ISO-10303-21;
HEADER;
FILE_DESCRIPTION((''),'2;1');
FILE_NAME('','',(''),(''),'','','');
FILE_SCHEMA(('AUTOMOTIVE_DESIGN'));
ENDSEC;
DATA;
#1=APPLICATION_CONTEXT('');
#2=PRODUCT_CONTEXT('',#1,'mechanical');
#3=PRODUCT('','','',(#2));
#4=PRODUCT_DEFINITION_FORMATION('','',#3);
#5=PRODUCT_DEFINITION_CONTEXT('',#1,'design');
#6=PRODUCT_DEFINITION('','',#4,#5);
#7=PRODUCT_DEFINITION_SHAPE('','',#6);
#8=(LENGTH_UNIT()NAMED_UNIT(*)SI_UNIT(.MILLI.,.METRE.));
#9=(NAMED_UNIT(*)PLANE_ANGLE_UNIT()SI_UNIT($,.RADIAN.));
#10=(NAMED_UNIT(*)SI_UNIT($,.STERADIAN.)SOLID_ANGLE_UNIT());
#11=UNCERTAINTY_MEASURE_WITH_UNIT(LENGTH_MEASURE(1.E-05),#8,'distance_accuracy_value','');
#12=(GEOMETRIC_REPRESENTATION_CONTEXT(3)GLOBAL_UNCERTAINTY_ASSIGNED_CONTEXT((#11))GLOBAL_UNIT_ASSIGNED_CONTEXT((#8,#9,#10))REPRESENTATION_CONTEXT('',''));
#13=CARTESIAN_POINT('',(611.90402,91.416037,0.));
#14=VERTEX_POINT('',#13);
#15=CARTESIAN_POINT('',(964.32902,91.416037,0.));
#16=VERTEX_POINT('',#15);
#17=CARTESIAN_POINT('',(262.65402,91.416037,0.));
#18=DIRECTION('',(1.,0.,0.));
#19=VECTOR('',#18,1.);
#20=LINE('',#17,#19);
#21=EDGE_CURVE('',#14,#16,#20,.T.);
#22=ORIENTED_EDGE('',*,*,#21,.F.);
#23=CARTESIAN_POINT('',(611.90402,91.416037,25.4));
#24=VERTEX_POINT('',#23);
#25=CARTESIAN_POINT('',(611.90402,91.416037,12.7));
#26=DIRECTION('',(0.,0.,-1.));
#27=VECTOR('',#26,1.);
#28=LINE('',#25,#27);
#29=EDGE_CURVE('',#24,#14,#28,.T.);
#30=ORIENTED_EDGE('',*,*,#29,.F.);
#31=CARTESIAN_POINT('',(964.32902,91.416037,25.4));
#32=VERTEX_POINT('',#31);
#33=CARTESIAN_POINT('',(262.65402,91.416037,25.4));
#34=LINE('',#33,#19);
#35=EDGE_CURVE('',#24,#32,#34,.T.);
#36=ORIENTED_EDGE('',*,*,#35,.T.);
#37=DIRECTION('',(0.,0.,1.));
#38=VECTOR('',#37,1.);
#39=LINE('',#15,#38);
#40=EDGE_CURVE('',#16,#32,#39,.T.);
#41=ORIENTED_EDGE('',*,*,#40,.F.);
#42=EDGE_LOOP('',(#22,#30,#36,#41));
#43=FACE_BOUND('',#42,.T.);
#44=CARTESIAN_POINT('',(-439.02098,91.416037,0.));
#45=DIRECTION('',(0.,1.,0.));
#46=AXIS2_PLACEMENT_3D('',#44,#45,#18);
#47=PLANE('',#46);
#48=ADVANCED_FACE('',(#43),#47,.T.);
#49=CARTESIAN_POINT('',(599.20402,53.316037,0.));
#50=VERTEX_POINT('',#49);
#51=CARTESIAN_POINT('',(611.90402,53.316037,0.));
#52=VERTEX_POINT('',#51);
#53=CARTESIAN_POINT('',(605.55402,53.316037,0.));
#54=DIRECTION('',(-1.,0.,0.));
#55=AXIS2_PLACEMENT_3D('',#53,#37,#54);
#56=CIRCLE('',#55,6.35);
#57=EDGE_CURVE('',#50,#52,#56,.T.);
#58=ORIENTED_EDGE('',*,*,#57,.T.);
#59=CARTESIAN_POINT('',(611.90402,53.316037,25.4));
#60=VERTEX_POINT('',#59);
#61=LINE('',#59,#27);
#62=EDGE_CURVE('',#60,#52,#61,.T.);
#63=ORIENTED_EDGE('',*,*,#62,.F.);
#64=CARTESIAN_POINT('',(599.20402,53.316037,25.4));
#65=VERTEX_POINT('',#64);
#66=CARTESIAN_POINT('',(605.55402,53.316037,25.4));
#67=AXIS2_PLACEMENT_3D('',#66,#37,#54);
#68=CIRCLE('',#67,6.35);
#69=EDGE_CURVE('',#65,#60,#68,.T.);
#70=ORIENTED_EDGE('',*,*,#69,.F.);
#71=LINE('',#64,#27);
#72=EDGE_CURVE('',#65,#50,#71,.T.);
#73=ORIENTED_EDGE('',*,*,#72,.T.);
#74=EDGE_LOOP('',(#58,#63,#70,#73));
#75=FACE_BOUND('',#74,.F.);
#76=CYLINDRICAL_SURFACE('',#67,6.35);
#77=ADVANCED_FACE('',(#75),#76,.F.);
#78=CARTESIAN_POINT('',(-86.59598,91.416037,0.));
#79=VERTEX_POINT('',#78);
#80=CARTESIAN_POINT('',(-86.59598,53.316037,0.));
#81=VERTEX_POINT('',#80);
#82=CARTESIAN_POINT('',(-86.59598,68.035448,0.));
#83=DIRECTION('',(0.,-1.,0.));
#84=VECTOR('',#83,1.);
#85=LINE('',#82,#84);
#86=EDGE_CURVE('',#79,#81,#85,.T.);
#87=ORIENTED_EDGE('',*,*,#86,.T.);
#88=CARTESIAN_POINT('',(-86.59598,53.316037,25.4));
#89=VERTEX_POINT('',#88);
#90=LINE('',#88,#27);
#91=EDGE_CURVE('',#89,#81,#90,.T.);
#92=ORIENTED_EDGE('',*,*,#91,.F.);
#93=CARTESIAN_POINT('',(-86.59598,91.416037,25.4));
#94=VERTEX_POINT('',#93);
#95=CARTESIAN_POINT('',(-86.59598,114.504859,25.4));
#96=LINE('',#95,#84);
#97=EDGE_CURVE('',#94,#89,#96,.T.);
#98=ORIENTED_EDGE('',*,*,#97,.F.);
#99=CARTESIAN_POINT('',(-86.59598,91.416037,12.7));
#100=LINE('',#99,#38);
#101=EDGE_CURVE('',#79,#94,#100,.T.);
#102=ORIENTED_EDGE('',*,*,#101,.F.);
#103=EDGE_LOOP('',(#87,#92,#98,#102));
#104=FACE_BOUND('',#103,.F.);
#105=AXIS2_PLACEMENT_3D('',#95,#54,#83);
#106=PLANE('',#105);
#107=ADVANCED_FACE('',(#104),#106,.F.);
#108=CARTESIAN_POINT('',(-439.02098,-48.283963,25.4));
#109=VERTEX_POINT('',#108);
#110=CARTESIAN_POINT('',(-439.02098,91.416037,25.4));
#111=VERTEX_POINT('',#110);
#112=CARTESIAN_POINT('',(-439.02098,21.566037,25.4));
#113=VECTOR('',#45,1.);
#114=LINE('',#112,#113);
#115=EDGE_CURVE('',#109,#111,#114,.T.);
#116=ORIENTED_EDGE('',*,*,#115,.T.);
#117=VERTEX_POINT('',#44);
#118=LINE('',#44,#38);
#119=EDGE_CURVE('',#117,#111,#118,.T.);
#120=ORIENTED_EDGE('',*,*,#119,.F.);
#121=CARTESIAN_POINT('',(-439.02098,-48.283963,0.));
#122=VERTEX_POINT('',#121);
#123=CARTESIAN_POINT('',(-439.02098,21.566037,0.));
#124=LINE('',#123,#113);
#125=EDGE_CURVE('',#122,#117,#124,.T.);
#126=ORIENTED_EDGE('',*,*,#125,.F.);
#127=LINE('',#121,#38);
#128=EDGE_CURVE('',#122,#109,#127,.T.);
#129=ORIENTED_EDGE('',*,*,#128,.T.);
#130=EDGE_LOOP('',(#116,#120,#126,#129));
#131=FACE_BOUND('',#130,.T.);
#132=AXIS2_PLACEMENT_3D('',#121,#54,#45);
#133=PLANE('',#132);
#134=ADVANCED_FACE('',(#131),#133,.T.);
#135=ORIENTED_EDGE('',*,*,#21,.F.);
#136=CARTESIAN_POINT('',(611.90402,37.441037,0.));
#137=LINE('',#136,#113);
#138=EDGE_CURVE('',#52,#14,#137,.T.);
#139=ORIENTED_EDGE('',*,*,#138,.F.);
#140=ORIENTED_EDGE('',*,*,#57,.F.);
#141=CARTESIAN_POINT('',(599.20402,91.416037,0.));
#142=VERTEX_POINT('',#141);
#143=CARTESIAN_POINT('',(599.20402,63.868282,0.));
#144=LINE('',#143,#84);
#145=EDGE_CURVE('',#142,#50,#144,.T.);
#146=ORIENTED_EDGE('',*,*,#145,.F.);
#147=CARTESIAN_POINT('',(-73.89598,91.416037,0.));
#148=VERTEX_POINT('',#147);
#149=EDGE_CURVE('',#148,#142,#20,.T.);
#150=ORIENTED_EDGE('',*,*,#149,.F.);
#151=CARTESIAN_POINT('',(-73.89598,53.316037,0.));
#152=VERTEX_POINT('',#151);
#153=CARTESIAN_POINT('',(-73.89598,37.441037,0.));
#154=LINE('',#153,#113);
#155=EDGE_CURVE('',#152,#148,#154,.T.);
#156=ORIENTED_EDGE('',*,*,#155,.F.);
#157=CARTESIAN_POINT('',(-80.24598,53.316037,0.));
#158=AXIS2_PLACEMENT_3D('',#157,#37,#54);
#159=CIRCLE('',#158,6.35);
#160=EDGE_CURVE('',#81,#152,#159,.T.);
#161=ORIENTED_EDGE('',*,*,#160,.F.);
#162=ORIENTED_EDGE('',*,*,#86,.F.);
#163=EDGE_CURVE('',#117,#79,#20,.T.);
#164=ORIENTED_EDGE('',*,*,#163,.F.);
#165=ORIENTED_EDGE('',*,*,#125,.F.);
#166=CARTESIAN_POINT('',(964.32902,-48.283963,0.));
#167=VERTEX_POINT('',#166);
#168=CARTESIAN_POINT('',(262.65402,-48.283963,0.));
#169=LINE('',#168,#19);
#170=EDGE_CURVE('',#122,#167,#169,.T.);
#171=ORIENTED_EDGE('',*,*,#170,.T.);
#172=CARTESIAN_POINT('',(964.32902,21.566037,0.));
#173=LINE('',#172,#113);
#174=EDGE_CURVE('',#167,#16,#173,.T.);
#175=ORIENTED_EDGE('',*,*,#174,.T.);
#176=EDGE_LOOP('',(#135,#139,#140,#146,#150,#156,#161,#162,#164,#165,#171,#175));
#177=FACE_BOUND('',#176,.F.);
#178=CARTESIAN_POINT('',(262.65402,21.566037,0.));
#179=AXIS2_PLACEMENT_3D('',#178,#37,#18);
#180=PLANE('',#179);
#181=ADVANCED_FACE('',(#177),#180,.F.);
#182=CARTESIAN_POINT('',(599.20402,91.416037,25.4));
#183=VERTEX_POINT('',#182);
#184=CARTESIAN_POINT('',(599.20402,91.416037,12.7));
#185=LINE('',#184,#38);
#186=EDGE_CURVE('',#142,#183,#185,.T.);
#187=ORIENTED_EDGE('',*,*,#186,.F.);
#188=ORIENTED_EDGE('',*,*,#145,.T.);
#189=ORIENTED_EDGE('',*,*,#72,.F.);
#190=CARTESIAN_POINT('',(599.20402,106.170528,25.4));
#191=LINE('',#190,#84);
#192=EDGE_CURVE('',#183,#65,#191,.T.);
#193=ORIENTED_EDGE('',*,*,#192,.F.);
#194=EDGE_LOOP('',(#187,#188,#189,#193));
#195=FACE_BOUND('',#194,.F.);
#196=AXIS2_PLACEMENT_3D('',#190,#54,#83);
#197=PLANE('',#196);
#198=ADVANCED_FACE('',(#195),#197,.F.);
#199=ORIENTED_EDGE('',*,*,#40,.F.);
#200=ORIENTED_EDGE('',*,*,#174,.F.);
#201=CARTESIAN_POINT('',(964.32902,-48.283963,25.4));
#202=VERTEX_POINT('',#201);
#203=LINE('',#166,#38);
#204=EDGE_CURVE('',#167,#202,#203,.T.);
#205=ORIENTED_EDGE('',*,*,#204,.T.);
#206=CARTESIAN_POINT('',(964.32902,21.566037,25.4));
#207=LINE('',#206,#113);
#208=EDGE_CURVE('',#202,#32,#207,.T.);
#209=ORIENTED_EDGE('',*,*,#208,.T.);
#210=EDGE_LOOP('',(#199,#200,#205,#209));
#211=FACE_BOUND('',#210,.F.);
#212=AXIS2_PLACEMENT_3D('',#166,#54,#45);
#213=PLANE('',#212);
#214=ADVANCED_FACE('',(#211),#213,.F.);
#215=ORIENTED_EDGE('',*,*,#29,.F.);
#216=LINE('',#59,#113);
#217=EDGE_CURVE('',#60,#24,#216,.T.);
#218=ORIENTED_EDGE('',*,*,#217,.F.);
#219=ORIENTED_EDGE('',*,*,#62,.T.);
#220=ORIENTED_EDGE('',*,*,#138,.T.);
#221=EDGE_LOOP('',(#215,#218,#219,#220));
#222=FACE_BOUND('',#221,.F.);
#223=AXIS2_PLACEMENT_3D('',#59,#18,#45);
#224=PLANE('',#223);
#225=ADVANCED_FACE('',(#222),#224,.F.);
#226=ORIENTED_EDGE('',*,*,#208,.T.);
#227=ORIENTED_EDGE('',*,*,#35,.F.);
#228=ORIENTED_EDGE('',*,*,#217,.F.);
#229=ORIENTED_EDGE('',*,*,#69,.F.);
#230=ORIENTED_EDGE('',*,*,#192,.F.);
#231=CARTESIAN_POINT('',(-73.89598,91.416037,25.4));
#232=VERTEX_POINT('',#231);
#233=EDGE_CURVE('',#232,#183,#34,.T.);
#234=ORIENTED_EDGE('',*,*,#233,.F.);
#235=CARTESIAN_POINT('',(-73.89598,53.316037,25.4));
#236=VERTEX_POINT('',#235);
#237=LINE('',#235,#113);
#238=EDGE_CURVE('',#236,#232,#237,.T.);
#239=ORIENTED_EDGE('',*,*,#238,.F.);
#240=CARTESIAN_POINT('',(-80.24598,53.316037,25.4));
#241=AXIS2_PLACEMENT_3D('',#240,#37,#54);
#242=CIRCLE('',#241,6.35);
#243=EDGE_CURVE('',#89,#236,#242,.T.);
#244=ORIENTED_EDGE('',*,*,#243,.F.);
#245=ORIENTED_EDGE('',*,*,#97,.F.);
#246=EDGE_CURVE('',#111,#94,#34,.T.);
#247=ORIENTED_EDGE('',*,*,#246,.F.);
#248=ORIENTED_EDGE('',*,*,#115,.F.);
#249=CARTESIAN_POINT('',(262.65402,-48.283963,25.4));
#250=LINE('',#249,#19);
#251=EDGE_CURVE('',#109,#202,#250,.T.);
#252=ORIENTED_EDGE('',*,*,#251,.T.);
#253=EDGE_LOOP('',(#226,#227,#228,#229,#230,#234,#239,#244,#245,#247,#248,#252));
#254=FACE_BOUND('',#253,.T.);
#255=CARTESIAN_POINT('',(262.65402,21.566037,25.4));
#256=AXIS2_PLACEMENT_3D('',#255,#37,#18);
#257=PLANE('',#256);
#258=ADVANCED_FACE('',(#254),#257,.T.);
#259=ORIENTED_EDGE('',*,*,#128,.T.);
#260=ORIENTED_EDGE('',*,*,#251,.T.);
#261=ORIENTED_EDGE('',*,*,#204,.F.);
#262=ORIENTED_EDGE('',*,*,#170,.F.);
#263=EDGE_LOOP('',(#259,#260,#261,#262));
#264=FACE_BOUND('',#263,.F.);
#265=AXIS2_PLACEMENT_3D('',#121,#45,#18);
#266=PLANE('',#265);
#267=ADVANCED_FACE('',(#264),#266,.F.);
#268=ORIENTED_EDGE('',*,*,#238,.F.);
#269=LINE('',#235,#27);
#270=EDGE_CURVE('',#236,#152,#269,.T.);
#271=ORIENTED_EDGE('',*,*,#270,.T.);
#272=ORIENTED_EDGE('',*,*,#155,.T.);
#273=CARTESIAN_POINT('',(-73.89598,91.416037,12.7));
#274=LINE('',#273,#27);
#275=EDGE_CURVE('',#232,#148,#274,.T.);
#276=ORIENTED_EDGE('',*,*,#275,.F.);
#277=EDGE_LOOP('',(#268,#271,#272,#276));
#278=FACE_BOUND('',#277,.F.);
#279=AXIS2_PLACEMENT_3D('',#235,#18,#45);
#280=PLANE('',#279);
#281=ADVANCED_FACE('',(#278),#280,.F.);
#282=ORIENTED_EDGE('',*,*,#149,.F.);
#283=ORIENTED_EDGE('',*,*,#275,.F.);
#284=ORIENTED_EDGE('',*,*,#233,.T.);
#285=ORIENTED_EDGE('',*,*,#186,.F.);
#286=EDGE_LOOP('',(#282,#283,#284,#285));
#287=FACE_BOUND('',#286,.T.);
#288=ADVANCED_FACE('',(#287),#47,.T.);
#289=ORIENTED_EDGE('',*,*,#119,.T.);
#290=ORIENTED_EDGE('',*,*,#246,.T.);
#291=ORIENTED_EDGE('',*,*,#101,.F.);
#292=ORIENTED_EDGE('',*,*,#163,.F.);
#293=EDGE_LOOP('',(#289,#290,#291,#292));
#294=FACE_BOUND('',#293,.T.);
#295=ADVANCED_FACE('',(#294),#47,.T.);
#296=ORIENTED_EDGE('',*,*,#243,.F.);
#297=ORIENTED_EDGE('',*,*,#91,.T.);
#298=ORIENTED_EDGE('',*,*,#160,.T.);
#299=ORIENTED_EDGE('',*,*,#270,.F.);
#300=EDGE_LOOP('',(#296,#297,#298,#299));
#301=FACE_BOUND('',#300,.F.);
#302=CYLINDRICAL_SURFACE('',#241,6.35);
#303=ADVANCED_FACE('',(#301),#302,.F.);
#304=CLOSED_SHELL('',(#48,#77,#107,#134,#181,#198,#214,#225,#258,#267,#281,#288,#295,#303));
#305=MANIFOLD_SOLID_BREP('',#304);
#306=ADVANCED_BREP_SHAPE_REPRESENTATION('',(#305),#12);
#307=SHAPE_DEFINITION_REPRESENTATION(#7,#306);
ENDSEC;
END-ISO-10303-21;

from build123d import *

# Parameters (mm, degrees)
F0_W     = 1403.35
F0_H     = 139.7
F1_DEPTH = 25.4
F3_DEPTH = 25.401


with BuildPart() as f1:
    # F0 (on Top) → F1 (new body)
    with BuildSketch(Plane.XY):
        with Locations((262.65402, 21.566037)):
            Rectangle(F0_W, F0_H)
    extrude(amount=F1_DEPTH)

    # F2 (on face) → F3 (cut, through all)
    with BuildSketch(Plane.XY.offset(25.4)):
        with BuildLine():
            Line((599.20402, 106.170528), (599.20402, 53.316037))
            ThreePointArc((599.20402, 53.316037), (605.55402, 46.966037), (611.90402, 53.316037))
            Line((611.90402, 53.316037), (611.90402, 112.724465))
            Line((611.90402, 112.724465), (599.20402, 106.170528))
        make_face()
        with BuildLine():
            Line((-86.59598, 114.504859), (-86.59598, 53.316037))
            ThreePointArc((-86.59598, 53.316037), (-80.24598, 46.966037), (-73.89598, 53.316037))
            Line((-73.89598, 53.316037), (-73.89598, 119.781473))
            Line((-73.89598, 119.781473), (-86.59598, 114.504859))
        make_face()
    extrude(amount=-F3_DEPTH, mode=Mode.SUBTRACT)


solid = f1.part
